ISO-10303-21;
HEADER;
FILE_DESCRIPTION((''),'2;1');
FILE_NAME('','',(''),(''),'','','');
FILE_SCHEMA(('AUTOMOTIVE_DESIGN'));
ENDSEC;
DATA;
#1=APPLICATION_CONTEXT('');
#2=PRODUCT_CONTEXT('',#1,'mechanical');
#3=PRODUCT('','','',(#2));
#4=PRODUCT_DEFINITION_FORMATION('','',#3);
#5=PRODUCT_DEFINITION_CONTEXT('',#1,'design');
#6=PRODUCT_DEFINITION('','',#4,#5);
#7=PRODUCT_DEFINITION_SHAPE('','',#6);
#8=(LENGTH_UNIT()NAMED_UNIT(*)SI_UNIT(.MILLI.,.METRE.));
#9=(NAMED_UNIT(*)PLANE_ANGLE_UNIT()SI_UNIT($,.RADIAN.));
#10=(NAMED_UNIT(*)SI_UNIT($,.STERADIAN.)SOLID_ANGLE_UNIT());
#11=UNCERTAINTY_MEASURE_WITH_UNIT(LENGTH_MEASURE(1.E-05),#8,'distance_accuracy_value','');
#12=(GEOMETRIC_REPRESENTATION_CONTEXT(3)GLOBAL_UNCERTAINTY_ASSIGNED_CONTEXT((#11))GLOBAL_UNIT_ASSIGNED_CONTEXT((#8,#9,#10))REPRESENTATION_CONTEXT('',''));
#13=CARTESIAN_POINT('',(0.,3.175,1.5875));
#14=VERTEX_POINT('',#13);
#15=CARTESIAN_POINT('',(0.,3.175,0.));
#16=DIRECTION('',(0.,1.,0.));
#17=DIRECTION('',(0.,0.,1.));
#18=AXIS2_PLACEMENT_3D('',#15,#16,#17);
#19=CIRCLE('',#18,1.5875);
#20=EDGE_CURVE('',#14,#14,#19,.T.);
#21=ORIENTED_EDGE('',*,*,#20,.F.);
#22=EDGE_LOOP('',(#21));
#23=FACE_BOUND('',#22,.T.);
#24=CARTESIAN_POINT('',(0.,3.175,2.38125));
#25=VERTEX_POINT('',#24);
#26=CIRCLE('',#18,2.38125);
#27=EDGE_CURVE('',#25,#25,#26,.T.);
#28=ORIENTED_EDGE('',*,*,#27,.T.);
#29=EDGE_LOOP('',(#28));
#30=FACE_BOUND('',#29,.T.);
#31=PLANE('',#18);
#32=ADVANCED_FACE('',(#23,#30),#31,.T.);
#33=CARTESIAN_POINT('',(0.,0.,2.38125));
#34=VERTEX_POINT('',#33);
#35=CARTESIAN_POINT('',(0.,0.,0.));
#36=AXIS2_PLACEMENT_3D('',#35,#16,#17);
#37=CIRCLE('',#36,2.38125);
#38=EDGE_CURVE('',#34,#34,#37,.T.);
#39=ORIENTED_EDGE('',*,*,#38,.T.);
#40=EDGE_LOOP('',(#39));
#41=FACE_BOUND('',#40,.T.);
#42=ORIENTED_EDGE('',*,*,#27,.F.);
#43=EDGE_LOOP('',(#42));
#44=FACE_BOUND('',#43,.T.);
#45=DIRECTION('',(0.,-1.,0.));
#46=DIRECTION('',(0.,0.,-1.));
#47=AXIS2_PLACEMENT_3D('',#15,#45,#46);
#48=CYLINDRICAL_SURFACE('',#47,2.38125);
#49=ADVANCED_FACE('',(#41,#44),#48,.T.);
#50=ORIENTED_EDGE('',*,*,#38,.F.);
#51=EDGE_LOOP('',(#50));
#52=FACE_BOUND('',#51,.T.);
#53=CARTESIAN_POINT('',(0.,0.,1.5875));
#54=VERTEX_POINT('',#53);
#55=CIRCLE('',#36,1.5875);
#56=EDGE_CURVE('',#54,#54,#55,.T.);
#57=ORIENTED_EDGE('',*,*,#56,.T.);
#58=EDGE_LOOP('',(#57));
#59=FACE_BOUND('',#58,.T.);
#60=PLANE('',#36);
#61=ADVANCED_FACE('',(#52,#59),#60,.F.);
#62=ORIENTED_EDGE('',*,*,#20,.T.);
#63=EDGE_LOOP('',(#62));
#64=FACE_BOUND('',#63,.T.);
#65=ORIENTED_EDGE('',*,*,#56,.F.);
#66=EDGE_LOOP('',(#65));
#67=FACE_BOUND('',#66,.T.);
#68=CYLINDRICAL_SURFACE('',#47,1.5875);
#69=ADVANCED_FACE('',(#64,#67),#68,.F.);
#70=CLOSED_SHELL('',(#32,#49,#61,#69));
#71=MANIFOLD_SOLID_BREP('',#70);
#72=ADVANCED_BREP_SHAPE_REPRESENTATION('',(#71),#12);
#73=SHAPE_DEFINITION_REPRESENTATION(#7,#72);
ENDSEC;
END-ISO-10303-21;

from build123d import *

# Parameters (mm, degrees)
SKETCH1_R           = 2.38125
SKETCH1_R_2         = 1.5875
BOSS_EXTRUDE1_DEPTH = 3.175


with BuildPart() as part:
    # Sketch1 → Boss-Extrude1 (new body)
    with BuildSketch(Plane(origin=(0, 0, 0), x_dir=(1, 0, 0), z_dir=(0, 1, 0))):
        Circle(SKETCH1_R)
        Circle(SKETCH1_R_2, mode=Mode.SUBTRACT)
    extrude(amount=BOSS_EXTRUDE1_DEPTH)


solid = part.part
